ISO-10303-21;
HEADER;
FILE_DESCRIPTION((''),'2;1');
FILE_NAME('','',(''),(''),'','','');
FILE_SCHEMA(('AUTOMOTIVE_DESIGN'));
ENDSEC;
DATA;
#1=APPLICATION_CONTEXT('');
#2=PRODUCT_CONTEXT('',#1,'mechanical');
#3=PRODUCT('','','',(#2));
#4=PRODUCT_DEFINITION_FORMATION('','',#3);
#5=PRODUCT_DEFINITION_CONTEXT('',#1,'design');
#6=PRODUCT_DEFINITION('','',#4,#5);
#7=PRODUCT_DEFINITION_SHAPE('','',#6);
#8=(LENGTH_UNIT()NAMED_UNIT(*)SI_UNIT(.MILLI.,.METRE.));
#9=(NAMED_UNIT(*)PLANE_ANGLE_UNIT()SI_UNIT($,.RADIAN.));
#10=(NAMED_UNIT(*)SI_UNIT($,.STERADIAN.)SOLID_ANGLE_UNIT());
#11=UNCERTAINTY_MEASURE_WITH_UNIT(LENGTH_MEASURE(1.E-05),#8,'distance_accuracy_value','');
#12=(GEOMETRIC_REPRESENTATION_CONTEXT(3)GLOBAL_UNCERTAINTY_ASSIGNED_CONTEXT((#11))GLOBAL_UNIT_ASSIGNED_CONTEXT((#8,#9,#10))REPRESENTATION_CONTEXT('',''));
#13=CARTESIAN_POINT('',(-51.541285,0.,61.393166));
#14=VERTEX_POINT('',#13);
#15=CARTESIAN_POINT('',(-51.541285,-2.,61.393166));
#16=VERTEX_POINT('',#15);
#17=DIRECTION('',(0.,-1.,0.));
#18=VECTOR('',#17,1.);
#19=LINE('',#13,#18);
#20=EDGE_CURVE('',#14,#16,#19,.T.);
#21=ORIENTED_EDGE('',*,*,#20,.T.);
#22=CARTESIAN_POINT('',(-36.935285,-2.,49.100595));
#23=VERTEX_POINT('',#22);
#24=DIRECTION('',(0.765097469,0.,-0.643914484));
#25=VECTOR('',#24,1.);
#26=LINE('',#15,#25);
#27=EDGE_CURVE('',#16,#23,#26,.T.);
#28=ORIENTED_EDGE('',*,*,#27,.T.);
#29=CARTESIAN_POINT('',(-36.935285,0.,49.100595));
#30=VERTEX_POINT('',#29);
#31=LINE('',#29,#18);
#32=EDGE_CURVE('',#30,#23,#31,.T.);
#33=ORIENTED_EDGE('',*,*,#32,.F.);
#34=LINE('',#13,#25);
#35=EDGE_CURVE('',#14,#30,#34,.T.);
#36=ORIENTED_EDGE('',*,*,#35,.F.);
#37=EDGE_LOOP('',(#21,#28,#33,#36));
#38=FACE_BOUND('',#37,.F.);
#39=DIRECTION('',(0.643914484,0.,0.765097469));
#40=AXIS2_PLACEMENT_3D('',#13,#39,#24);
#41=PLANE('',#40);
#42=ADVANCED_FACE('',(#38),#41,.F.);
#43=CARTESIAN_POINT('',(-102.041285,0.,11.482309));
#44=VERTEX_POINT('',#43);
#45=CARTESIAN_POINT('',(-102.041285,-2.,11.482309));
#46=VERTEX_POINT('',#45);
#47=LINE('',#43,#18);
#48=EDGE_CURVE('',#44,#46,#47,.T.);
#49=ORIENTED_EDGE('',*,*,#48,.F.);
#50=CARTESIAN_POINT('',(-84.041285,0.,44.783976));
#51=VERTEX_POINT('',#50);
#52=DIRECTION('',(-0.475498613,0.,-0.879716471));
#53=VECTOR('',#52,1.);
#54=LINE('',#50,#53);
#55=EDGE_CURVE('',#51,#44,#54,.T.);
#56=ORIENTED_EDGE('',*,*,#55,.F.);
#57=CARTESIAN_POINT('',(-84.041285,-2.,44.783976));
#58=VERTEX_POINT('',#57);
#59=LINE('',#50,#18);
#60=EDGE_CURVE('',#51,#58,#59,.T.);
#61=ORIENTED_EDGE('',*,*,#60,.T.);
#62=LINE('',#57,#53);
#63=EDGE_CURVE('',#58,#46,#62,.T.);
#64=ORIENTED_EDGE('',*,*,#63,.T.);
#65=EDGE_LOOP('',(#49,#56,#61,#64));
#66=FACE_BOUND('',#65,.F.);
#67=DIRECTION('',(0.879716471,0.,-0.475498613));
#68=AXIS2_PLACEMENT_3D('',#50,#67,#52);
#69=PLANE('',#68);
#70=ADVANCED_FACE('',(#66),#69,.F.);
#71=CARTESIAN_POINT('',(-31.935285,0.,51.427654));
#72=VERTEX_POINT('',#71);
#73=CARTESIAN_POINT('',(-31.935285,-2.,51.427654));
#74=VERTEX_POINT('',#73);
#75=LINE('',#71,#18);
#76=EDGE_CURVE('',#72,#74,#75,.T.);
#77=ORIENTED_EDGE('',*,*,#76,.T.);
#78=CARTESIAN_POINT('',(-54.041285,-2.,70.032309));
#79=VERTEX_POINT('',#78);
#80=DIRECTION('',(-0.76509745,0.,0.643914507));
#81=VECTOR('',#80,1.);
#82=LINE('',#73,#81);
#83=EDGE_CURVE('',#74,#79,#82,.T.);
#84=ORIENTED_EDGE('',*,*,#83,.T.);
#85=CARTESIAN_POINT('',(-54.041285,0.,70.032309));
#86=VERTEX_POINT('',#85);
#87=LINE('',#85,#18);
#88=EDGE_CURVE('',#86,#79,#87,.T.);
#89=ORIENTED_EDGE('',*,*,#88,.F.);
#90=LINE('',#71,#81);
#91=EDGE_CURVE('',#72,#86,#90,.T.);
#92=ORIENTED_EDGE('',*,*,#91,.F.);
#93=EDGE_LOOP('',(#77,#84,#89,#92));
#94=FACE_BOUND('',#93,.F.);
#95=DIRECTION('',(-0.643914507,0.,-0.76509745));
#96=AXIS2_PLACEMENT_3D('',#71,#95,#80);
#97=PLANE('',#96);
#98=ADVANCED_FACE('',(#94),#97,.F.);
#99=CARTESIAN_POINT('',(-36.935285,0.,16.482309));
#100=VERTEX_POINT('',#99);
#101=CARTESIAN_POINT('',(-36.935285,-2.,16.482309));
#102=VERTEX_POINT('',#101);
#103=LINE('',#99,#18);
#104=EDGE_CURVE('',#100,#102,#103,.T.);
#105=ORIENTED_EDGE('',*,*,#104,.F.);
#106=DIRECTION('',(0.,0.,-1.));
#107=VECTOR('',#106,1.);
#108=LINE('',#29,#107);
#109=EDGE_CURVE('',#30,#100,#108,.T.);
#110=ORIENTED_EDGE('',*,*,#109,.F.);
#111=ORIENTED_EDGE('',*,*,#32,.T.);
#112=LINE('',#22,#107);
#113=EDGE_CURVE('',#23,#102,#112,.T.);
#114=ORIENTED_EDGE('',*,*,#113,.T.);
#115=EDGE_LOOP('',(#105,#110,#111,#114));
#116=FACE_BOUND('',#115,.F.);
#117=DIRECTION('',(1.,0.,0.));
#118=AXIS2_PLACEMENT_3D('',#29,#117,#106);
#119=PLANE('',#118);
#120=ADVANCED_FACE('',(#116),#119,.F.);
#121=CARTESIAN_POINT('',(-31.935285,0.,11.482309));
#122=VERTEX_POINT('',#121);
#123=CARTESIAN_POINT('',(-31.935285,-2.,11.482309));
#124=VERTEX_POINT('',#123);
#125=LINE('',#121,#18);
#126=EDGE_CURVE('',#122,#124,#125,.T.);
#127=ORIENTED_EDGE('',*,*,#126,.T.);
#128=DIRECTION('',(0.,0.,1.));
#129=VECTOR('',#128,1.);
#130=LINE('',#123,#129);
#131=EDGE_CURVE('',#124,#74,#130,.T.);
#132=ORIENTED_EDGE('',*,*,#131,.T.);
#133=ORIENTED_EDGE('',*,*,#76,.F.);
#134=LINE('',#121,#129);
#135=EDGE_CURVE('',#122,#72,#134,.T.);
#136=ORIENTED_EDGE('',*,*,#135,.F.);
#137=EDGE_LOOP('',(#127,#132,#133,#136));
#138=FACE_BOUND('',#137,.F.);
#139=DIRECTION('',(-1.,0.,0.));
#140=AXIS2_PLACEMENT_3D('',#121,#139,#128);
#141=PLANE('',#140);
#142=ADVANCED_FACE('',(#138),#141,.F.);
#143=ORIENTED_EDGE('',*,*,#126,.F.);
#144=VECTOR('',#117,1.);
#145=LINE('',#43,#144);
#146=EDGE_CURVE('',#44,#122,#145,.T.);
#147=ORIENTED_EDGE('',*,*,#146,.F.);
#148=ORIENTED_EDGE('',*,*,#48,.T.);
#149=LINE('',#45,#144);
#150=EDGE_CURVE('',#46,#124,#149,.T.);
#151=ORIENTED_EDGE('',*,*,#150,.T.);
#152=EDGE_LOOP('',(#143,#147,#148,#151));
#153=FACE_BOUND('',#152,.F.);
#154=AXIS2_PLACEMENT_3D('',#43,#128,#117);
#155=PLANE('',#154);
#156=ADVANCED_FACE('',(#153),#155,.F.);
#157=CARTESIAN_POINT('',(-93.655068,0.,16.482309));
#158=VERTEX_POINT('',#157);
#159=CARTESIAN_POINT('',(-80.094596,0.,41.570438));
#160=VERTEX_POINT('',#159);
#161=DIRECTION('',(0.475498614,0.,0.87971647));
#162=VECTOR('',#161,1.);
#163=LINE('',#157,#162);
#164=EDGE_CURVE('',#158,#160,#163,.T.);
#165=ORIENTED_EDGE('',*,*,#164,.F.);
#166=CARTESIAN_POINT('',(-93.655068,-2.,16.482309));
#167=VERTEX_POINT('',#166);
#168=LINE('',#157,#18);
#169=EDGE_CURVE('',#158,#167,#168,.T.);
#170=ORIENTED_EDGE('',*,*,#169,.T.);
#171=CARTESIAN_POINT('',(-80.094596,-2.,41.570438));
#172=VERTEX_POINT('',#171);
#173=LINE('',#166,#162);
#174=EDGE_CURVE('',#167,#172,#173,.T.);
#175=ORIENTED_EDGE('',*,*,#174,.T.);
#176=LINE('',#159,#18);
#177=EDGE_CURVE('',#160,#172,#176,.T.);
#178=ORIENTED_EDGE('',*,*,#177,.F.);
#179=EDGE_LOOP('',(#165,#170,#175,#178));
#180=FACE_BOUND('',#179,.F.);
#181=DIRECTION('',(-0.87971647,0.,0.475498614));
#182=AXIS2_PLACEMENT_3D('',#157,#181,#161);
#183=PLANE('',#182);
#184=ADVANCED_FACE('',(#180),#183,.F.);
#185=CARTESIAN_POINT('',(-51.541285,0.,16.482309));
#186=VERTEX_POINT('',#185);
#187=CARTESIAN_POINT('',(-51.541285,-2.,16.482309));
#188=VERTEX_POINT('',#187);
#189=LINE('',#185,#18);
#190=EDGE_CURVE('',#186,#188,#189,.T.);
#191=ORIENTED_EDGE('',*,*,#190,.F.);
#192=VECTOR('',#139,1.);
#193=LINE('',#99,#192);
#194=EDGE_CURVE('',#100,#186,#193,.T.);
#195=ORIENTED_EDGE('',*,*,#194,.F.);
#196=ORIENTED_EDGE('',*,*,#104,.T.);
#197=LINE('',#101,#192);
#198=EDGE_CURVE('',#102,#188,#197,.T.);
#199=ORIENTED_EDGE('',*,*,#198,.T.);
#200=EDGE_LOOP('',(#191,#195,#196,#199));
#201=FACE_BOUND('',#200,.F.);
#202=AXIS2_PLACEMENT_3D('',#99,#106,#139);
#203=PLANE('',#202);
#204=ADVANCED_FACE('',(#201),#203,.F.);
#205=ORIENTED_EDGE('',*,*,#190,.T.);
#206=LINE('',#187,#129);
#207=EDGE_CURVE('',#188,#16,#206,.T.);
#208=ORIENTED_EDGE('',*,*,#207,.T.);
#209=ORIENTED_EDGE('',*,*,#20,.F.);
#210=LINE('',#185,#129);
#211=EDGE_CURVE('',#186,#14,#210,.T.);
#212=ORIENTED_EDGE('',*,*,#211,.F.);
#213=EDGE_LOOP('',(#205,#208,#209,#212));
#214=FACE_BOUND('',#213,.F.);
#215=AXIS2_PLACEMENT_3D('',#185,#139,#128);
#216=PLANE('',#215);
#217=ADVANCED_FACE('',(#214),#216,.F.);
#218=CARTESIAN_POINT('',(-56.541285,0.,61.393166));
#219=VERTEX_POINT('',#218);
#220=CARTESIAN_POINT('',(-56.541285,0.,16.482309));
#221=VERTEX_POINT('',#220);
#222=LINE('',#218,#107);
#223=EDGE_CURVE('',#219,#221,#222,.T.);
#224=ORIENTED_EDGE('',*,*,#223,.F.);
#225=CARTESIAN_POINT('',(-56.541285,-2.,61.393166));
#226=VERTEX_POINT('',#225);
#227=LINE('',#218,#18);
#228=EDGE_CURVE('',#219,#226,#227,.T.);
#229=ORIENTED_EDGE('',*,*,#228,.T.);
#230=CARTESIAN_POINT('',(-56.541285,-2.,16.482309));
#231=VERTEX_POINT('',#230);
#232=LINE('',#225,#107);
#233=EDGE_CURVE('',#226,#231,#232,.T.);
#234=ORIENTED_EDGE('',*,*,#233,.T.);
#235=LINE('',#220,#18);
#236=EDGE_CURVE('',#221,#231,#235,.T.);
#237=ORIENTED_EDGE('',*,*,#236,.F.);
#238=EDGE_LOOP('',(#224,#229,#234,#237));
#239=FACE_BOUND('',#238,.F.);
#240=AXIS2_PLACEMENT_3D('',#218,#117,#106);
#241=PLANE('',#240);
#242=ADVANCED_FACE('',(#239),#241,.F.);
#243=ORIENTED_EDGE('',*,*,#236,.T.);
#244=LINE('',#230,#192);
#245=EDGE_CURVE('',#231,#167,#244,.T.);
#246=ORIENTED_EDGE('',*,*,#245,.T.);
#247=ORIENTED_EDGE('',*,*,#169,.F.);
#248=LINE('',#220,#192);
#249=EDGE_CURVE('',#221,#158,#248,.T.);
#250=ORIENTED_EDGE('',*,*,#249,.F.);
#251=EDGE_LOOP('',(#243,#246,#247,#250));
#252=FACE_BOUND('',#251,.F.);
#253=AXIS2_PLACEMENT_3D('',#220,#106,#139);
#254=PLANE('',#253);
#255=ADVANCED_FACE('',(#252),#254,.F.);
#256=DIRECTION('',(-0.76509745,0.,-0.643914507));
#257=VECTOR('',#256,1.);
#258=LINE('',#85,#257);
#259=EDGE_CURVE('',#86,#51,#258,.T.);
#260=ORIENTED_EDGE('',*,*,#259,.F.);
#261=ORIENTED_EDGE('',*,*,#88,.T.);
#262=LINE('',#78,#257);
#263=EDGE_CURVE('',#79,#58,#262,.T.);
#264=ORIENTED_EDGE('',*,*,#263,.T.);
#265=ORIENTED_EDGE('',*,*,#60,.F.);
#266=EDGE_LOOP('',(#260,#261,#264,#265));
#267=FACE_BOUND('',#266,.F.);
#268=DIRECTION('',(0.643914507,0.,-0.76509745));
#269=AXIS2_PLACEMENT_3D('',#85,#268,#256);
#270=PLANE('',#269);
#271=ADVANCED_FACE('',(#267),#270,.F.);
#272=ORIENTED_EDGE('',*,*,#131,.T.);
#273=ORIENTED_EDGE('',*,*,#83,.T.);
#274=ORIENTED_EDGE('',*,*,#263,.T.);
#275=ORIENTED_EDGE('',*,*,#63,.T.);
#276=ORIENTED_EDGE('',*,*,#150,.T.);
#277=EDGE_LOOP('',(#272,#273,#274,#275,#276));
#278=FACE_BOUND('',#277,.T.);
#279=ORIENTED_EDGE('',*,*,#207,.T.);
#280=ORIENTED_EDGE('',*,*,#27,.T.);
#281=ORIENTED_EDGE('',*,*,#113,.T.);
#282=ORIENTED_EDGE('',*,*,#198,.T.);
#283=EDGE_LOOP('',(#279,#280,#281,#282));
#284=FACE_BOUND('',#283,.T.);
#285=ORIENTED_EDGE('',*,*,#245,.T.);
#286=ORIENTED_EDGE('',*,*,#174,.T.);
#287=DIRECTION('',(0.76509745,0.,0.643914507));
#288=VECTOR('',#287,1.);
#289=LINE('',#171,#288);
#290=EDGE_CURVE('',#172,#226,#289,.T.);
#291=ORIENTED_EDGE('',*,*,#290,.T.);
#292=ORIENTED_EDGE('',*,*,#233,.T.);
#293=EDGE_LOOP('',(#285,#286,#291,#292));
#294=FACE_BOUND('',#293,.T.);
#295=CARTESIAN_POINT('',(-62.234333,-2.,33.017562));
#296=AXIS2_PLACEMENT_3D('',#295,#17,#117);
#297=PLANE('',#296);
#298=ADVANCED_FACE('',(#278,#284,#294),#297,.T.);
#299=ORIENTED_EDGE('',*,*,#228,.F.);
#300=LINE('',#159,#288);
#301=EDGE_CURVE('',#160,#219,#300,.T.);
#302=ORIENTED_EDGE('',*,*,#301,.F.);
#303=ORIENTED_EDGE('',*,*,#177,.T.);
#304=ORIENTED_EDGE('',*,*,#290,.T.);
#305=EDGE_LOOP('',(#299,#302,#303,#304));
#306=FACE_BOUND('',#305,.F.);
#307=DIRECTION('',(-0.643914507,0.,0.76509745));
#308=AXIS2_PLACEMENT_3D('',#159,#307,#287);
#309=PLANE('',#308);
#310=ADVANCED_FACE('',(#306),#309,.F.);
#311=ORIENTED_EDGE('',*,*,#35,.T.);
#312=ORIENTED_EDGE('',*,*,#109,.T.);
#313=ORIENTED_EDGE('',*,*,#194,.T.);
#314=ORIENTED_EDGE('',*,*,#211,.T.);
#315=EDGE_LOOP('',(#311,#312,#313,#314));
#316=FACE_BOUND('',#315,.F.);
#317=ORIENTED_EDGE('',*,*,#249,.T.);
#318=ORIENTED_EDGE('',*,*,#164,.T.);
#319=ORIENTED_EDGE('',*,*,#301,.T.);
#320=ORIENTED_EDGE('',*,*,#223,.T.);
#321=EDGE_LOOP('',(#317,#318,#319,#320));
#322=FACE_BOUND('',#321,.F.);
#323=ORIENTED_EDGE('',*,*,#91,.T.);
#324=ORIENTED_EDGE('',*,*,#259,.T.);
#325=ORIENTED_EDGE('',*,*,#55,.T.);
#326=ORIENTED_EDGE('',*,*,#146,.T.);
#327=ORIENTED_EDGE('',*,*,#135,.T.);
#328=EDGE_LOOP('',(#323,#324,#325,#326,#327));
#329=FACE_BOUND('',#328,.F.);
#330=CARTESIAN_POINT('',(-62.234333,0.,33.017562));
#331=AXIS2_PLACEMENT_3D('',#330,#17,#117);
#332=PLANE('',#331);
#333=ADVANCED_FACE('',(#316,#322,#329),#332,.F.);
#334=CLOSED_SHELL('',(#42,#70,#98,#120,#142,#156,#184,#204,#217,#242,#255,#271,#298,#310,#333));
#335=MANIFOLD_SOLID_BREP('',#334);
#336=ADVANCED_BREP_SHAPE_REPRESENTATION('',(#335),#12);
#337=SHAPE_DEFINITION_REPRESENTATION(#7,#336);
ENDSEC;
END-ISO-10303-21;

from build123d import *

# Parameters (mm, degrees)
F1_DEPTH = 2


with BuildPart() as f1:
    # F0 (on Front) → F1 (new body)
    with BuildSketch(Plane.XZ):
        Polygon((-31.935285, 51.427654), (-54.041285, 70.032309), (-84.041285, 44.783976), (-102.041285, 11.482309), (-31.935285, 11.482309), align=None)
        Polygon((-56.541285, 16.482309), (-93.655068, 16.482309), (-80.094596, 41.570438), (-56.541285, 61.393166), align=None, mode=Mode.SUBTRACT)
        Polygon((-36.935285, 49.100595), (-36.935285, 16.482309), (-51.541285, 16.482309), (-51.541285, 61.393166), align=None, mode=Mode.SUBTRACT)
    extrude(amount=F1_DEPTH)


solid = f1.part
